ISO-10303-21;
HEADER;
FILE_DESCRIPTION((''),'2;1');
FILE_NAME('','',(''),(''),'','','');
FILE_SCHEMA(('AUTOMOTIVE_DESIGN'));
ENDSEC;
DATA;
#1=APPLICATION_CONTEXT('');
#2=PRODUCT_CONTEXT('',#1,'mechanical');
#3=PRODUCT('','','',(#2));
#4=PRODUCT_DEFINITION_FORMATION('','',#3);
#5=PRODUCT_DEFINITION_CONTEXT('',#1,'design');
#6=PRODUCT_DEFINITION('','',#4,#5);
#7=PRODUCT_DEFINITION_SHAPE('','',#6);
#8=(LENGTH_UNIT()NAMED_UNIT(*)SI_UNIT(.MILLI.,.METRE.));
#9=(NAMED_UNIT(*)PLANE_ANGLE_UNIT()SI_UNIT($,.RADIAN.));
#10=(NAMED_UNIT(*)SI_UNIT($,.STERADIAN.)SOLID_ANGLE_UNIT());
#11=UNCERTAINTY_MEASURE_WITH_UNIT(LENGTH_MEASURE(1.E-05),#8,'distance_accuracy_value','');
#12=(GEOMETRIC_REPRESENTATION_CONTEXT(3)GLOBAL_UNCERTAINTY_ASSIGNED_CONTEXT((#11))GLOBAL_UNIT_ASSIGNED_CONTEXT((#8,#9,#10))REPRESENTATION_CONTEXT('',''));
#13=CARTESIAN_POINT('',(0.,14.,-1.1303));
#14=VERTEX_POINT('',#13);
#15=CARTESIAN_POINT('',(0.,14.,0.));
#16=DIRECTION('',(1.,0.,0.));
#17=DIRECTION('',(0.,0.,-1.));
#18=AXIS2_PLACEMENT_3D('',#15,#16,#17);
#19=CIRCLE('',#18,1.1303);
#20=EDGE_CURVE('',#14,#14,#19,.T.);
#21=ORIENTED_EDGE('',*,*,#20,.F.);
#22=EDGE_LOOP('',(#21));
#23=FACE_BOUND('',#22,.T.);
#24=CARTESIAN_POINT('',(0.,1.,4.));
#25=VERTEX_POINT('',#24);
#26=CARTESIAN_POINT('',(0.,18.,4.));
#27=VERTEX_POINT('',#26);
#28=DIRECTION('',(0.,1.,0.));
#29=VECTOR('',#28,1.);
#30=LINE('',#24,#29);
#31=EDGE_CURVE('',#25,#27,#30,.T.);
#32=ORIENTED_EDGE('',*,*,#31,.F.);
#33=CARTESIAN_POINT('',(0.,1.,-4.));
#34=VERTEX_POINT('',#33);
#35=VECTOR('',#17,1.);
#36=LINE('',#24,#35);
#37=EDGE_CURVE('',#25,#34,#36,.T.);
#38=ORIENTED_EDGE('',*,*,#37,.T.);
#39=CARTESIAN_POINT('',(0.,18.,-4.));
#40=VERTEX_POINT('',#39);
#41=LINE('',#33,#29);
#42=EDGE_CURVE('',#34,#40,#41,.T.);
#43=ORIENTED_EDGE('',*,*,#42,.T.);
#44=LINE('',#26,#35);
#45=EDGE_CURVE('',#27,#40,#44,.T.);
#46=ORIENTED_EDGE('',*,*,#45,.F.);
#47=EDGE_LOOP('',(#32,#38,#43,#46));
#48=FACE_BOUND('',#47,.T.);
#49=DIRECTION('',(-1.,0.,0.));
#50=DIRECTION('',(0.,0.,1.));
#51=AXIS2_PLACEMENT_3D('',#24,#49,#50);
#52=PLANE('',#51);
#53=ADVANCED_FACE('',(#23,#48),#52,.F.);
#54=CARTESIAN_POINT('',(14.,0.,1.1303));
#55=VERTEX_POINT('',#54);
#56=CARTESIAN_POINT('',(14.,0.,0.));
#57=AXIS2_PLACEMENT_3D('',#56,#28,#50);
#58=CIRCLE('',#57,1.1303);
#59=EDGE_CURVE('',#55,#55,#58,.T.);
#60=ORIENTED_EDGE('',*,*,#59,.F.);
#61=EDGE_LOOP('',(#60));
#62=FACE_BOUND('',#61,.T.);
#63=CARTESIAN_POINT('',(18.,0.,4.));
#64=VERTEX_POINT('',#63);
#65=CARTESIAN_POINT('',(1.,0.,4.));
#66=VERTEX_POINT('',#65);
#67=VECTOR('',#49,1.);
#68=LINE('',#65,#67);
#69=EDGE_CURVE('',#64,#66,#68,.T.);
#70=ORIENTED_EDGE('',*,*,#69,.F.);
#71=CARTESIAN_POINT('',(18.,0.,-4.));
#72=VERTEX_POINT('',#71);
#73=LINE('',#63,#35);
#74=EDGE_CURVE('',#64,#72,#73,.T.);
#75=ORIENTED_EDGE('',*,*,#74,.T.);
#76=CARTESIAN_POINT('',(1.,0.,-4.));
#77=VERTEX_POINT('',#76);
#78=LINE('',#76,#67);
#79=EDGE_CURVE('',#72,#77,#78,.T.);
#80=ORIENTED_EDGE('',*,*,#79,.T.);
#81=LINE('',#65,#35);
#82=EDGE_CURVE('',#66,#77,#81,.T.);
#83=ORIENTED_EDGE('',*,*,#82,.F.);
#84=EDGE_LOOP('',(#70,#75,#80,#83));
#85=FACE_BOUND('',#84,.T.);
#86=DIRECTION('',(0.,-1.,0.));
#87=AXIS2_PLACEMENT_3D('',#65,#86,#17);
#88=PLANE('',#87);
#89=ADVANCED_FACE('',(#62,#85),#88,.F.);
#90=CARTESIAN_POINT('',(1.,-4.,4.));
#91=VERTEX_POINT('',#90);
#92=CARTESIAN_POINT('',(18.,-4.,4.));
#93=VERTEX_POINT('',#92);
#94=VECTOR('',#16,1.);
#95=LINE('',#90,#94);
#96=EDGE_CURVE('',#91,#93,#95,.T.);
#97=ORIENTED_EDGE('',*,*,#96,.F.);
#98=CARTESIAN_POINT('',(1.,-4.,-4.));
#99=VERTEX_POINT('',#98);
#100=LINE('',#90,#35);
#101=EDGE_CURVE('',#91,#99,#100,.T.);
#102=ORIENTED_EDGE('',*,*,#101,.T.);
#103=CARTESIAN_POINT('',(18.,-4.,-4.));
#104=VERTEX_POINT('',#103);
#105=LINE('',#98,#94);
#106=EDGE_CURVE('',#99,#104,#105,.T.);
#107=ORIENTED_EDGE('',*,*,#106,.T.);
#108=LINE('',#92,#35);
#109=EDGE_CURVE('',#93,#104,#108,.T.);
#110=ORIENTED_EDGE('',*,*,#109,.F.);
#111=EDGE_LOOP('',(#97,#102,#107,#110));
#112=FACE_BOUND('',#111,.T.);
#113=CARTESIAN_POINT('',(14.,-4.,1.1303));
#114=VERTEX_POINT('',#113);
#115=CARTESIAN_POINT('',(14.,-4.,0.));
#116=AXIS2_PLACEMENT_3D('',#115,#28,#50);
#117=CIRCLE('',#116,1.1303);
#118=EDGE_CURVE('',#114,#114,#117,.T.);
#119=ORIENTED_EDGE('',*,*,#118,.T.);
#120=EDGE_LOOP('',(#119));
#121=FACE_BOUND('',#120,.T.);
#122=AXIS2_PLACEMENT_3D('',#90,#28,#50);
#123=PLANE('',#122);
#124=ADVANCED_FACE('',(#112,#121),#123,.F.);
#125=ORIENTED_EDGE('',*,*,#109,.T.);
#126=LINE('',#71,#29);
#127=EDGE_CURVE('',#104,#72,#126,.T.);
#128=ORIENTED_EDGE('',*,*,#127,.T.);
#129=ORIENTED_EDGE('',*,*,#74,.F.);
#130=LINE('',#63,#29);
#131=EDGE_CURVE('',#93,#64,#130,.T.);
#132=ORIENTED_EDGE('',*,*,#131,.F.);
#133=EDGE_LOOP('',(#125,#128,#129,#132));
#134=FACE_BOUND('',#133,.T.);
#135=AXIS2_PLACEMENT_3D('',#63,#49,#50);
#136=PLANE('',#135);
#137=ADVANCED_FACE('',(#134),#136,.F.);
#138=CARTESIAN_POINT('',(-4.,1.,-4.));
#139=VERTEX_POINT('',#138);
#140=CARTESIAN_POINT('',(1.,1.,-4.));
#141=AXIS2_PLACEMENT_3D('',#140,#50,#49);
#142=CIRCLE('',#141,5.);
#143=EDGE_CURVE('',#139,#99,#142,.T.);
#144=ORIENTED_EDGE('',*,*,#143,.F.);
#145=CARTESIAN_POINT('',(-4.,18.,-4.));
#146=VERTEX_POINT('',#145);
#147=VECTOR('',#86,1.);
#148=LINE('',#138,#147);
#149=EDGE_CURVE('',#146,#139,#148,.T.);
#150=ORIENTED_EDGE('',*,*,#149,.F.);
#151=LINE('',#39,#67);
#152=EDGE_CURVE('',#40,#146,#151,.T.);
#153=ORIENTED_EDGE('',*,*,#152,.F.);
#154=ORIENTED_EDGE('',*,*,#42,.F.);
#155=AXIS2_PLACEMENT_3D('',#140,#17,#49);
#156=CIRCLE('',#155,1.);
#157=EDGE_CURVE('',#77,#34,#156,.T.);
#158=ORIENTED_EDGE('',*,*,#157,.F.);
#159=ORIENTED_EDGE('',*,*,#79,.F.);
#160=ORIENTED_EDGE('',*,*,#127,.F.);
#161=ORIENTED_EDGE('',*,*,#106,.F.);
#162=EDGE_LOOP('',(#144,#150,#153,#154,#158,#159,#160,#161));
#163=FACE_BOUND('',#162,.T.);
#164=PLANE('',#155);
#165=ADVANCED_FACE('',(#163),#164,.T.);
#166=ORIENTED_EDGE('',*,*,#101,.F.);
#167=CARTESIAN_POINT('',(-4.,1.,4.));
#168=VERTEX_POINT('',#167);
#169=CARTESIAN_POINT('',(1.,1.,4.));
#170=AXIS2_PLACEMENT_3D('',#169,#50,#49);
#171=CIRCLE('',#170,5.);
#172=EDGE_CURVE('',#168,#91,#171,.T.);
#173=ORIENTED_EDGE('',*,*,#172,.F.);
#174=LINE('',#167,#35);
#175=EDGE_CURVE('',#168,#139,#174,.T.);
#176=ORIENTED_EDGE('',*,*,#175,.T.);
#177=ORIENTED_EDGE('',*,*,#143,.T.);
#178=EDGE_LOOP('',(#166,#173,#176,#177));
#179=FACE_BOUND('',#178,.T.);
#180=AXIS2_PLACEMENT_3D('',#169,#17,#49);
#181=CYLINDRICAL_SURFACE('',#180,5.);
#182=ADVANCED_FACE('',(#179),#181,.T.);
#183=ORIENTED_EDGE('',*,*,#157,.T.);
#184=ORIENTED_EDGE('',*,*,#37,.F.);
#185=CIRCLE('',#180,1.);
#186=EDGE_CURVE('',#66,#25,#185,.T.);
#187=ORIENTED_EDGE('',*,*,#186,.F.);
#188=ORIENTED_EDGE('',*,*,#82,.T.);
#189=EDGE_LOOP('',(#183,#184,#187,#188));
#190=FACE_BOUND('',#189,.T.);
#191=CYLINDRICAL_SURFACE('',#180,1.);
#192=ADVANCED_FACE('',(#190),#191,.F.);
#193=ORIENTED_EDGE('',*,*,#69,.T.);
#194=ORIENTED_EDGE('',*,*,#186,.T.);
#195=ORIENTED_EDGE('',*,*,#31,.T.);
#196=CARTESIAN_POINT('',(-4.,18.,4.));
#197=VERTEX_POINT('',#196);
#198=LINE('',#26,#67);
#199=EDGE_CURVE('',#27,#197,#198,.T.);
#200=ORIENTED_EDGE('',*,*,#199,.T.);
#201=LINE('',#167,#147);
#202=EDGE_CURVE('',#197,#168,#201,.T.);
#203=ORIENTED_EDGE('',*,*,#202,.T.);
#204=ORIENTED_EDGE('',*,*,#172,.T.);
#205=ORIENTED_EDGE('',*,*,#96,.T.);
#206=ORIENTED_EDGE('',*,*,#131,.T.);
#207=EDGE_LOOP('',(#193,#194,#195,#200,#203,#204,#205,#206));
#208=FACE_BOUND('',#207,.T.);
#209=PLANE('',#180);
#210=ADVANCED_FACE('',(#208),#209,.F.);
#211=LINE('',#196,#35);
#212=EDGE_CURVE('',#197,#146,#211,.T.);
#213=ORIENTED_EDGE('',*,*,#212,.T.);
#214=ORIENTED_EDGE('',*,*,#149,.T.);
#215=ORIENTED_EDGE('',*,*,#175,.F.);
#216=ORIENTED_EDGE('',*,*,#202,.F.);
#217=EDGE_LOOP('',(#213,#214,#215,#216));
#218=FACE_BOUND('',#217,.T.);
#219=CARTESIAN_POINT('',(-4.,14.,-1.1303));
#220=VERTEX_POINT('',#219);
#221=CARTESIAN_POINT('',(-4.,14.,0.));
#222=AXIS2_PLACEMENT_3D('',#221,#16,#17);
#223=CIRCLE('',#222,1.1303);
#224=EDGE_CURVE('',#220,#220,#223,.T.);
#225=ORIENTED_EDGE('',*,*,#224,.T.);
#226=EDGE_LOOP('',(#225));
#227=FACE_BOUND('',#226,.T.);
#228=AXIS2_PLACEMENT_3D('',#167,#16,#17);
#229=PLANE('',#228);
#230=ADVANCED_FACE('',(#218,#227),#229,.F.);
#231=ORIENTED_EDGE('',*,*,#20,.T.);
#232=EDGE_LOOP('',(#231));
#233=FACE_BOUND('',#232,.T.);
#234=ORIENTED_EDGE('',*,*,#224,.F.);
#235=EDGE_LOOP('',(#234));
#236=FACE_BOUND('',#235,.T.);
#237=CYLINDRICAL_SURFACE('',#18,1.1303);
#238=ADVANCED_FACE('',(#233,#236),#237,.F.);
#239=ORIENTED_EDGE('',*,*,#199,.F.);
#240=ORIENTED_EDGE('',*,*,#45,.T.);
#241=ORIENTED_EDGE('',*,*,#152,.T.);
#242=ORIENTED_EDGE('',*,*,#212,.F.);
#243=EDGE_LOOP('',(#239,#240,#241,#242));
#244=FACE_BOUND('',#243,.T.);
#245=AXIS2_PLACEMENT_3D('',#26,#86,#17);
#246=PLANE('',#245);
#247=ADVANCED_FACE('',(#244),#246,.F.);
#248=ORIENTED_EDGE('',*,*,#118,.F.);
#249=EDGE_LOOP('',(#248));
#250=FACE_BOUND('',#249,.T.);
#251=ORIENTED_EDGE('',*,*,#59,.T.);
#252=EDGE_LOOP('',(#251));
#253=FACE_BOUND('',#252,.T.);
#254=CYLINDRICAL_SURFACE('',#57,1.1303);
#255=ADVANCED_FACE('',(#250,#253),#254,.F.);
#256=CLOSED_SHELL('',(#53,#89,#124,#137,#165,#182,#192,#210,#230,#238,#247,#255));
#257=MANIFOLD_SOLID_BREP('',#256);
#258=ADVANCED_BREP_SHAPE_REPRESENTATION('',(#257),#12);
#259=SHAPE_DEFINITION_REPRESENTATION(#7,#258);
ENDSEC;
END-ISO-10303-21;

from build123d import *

# Parameters (mm, degrees)
BOSS_EXTRUDE1_DEPTH       = 4
F_4_40_TAPPED_HOLE1_D     = 2.2606
F_4_40_TAPPED_HOLE1_DEPTH = 7.6
F_4_40_TAPPED_HOLE1_TIP   = 0.679152758
F_4_40_TAPPED_HOLE2_D     = 2.2606
F_4_40_TAPPED_HOLE2_DEPTH = 7.6
F_4_40_TAPPED_HOLE2_TIP   = 0.679152758


with BuildPart() as part:
    # Sketch3 → Boss-Extrude1 (new, symmetric)
    with BuildSketch(Plane.XY):
        with BuildLine():
            Line((1, 0), (18, 0))
            Line((18, 0), (18, -4))
            Line((18, -4), (1, -4))
            ThreePointArc((1, -4), (-2.535533906, -2.535533906), (-4, 1))
            Line((-4, 1), (-4, 18))
            Line((-4, 18), (0, 18))
            Line((0, 18), (0, 1))
            ThreePointArc((0, 1), (0.292893219, 0.292893219), (1, 0))
        make_face()
    extrude(amount=BOSS_EXTRUDE1_DEPTH, both=True)

    # #4-40 Tapped Hole1
    with Locations(Plane(origin=(0, 0, 0), x_dir=(0, 0, -1), z_dir=(1, 0, 0))):
        with Locations((0, 14)):
            Hole(F_4_40_TAPPED_HOLE1_D / 2, depth=F_4_40_TAPPED_HOLE1_DEPTH)
            with Locations((0, 0, -(F_4_40_TAPPED_HOLE1_DEPTH + F_4_40_TAPPED_HOLE1_TIP / 2))):  # 118° drill point
                Cone(0, F_4_40_TAPPED_HOLE1_D / 2, F_4_40_TAPPED_HOLE1_TIP, mode=Mode.SUBTRACT)

    # #4-40 Tapped Hole2
    with Locations(Plane(origin=(0, 0, 0), x_dir=(1, 0, 0), z_dir=(0, 1, 0))):
        with Locations((14, 0)):
            Hole(F_4_40_TAPPED_HOLE2_D / 2, depth=F_4_40_TAPPED_HOLE2_DEPTH)
            with Locations((0, 0, -(F_4_40_TAPPED_HOLE2_DEPTH + F_4_40_TAPPED_HOLE2_TIP / 2))):  # 118° drill point
                Cone(0, F_4_40_TAPPED_HOLE2_D / 2, F_4_40_TAPPED_HOLE2_TIP, mode=Mode.SUBTRACT)


solid = part.part
